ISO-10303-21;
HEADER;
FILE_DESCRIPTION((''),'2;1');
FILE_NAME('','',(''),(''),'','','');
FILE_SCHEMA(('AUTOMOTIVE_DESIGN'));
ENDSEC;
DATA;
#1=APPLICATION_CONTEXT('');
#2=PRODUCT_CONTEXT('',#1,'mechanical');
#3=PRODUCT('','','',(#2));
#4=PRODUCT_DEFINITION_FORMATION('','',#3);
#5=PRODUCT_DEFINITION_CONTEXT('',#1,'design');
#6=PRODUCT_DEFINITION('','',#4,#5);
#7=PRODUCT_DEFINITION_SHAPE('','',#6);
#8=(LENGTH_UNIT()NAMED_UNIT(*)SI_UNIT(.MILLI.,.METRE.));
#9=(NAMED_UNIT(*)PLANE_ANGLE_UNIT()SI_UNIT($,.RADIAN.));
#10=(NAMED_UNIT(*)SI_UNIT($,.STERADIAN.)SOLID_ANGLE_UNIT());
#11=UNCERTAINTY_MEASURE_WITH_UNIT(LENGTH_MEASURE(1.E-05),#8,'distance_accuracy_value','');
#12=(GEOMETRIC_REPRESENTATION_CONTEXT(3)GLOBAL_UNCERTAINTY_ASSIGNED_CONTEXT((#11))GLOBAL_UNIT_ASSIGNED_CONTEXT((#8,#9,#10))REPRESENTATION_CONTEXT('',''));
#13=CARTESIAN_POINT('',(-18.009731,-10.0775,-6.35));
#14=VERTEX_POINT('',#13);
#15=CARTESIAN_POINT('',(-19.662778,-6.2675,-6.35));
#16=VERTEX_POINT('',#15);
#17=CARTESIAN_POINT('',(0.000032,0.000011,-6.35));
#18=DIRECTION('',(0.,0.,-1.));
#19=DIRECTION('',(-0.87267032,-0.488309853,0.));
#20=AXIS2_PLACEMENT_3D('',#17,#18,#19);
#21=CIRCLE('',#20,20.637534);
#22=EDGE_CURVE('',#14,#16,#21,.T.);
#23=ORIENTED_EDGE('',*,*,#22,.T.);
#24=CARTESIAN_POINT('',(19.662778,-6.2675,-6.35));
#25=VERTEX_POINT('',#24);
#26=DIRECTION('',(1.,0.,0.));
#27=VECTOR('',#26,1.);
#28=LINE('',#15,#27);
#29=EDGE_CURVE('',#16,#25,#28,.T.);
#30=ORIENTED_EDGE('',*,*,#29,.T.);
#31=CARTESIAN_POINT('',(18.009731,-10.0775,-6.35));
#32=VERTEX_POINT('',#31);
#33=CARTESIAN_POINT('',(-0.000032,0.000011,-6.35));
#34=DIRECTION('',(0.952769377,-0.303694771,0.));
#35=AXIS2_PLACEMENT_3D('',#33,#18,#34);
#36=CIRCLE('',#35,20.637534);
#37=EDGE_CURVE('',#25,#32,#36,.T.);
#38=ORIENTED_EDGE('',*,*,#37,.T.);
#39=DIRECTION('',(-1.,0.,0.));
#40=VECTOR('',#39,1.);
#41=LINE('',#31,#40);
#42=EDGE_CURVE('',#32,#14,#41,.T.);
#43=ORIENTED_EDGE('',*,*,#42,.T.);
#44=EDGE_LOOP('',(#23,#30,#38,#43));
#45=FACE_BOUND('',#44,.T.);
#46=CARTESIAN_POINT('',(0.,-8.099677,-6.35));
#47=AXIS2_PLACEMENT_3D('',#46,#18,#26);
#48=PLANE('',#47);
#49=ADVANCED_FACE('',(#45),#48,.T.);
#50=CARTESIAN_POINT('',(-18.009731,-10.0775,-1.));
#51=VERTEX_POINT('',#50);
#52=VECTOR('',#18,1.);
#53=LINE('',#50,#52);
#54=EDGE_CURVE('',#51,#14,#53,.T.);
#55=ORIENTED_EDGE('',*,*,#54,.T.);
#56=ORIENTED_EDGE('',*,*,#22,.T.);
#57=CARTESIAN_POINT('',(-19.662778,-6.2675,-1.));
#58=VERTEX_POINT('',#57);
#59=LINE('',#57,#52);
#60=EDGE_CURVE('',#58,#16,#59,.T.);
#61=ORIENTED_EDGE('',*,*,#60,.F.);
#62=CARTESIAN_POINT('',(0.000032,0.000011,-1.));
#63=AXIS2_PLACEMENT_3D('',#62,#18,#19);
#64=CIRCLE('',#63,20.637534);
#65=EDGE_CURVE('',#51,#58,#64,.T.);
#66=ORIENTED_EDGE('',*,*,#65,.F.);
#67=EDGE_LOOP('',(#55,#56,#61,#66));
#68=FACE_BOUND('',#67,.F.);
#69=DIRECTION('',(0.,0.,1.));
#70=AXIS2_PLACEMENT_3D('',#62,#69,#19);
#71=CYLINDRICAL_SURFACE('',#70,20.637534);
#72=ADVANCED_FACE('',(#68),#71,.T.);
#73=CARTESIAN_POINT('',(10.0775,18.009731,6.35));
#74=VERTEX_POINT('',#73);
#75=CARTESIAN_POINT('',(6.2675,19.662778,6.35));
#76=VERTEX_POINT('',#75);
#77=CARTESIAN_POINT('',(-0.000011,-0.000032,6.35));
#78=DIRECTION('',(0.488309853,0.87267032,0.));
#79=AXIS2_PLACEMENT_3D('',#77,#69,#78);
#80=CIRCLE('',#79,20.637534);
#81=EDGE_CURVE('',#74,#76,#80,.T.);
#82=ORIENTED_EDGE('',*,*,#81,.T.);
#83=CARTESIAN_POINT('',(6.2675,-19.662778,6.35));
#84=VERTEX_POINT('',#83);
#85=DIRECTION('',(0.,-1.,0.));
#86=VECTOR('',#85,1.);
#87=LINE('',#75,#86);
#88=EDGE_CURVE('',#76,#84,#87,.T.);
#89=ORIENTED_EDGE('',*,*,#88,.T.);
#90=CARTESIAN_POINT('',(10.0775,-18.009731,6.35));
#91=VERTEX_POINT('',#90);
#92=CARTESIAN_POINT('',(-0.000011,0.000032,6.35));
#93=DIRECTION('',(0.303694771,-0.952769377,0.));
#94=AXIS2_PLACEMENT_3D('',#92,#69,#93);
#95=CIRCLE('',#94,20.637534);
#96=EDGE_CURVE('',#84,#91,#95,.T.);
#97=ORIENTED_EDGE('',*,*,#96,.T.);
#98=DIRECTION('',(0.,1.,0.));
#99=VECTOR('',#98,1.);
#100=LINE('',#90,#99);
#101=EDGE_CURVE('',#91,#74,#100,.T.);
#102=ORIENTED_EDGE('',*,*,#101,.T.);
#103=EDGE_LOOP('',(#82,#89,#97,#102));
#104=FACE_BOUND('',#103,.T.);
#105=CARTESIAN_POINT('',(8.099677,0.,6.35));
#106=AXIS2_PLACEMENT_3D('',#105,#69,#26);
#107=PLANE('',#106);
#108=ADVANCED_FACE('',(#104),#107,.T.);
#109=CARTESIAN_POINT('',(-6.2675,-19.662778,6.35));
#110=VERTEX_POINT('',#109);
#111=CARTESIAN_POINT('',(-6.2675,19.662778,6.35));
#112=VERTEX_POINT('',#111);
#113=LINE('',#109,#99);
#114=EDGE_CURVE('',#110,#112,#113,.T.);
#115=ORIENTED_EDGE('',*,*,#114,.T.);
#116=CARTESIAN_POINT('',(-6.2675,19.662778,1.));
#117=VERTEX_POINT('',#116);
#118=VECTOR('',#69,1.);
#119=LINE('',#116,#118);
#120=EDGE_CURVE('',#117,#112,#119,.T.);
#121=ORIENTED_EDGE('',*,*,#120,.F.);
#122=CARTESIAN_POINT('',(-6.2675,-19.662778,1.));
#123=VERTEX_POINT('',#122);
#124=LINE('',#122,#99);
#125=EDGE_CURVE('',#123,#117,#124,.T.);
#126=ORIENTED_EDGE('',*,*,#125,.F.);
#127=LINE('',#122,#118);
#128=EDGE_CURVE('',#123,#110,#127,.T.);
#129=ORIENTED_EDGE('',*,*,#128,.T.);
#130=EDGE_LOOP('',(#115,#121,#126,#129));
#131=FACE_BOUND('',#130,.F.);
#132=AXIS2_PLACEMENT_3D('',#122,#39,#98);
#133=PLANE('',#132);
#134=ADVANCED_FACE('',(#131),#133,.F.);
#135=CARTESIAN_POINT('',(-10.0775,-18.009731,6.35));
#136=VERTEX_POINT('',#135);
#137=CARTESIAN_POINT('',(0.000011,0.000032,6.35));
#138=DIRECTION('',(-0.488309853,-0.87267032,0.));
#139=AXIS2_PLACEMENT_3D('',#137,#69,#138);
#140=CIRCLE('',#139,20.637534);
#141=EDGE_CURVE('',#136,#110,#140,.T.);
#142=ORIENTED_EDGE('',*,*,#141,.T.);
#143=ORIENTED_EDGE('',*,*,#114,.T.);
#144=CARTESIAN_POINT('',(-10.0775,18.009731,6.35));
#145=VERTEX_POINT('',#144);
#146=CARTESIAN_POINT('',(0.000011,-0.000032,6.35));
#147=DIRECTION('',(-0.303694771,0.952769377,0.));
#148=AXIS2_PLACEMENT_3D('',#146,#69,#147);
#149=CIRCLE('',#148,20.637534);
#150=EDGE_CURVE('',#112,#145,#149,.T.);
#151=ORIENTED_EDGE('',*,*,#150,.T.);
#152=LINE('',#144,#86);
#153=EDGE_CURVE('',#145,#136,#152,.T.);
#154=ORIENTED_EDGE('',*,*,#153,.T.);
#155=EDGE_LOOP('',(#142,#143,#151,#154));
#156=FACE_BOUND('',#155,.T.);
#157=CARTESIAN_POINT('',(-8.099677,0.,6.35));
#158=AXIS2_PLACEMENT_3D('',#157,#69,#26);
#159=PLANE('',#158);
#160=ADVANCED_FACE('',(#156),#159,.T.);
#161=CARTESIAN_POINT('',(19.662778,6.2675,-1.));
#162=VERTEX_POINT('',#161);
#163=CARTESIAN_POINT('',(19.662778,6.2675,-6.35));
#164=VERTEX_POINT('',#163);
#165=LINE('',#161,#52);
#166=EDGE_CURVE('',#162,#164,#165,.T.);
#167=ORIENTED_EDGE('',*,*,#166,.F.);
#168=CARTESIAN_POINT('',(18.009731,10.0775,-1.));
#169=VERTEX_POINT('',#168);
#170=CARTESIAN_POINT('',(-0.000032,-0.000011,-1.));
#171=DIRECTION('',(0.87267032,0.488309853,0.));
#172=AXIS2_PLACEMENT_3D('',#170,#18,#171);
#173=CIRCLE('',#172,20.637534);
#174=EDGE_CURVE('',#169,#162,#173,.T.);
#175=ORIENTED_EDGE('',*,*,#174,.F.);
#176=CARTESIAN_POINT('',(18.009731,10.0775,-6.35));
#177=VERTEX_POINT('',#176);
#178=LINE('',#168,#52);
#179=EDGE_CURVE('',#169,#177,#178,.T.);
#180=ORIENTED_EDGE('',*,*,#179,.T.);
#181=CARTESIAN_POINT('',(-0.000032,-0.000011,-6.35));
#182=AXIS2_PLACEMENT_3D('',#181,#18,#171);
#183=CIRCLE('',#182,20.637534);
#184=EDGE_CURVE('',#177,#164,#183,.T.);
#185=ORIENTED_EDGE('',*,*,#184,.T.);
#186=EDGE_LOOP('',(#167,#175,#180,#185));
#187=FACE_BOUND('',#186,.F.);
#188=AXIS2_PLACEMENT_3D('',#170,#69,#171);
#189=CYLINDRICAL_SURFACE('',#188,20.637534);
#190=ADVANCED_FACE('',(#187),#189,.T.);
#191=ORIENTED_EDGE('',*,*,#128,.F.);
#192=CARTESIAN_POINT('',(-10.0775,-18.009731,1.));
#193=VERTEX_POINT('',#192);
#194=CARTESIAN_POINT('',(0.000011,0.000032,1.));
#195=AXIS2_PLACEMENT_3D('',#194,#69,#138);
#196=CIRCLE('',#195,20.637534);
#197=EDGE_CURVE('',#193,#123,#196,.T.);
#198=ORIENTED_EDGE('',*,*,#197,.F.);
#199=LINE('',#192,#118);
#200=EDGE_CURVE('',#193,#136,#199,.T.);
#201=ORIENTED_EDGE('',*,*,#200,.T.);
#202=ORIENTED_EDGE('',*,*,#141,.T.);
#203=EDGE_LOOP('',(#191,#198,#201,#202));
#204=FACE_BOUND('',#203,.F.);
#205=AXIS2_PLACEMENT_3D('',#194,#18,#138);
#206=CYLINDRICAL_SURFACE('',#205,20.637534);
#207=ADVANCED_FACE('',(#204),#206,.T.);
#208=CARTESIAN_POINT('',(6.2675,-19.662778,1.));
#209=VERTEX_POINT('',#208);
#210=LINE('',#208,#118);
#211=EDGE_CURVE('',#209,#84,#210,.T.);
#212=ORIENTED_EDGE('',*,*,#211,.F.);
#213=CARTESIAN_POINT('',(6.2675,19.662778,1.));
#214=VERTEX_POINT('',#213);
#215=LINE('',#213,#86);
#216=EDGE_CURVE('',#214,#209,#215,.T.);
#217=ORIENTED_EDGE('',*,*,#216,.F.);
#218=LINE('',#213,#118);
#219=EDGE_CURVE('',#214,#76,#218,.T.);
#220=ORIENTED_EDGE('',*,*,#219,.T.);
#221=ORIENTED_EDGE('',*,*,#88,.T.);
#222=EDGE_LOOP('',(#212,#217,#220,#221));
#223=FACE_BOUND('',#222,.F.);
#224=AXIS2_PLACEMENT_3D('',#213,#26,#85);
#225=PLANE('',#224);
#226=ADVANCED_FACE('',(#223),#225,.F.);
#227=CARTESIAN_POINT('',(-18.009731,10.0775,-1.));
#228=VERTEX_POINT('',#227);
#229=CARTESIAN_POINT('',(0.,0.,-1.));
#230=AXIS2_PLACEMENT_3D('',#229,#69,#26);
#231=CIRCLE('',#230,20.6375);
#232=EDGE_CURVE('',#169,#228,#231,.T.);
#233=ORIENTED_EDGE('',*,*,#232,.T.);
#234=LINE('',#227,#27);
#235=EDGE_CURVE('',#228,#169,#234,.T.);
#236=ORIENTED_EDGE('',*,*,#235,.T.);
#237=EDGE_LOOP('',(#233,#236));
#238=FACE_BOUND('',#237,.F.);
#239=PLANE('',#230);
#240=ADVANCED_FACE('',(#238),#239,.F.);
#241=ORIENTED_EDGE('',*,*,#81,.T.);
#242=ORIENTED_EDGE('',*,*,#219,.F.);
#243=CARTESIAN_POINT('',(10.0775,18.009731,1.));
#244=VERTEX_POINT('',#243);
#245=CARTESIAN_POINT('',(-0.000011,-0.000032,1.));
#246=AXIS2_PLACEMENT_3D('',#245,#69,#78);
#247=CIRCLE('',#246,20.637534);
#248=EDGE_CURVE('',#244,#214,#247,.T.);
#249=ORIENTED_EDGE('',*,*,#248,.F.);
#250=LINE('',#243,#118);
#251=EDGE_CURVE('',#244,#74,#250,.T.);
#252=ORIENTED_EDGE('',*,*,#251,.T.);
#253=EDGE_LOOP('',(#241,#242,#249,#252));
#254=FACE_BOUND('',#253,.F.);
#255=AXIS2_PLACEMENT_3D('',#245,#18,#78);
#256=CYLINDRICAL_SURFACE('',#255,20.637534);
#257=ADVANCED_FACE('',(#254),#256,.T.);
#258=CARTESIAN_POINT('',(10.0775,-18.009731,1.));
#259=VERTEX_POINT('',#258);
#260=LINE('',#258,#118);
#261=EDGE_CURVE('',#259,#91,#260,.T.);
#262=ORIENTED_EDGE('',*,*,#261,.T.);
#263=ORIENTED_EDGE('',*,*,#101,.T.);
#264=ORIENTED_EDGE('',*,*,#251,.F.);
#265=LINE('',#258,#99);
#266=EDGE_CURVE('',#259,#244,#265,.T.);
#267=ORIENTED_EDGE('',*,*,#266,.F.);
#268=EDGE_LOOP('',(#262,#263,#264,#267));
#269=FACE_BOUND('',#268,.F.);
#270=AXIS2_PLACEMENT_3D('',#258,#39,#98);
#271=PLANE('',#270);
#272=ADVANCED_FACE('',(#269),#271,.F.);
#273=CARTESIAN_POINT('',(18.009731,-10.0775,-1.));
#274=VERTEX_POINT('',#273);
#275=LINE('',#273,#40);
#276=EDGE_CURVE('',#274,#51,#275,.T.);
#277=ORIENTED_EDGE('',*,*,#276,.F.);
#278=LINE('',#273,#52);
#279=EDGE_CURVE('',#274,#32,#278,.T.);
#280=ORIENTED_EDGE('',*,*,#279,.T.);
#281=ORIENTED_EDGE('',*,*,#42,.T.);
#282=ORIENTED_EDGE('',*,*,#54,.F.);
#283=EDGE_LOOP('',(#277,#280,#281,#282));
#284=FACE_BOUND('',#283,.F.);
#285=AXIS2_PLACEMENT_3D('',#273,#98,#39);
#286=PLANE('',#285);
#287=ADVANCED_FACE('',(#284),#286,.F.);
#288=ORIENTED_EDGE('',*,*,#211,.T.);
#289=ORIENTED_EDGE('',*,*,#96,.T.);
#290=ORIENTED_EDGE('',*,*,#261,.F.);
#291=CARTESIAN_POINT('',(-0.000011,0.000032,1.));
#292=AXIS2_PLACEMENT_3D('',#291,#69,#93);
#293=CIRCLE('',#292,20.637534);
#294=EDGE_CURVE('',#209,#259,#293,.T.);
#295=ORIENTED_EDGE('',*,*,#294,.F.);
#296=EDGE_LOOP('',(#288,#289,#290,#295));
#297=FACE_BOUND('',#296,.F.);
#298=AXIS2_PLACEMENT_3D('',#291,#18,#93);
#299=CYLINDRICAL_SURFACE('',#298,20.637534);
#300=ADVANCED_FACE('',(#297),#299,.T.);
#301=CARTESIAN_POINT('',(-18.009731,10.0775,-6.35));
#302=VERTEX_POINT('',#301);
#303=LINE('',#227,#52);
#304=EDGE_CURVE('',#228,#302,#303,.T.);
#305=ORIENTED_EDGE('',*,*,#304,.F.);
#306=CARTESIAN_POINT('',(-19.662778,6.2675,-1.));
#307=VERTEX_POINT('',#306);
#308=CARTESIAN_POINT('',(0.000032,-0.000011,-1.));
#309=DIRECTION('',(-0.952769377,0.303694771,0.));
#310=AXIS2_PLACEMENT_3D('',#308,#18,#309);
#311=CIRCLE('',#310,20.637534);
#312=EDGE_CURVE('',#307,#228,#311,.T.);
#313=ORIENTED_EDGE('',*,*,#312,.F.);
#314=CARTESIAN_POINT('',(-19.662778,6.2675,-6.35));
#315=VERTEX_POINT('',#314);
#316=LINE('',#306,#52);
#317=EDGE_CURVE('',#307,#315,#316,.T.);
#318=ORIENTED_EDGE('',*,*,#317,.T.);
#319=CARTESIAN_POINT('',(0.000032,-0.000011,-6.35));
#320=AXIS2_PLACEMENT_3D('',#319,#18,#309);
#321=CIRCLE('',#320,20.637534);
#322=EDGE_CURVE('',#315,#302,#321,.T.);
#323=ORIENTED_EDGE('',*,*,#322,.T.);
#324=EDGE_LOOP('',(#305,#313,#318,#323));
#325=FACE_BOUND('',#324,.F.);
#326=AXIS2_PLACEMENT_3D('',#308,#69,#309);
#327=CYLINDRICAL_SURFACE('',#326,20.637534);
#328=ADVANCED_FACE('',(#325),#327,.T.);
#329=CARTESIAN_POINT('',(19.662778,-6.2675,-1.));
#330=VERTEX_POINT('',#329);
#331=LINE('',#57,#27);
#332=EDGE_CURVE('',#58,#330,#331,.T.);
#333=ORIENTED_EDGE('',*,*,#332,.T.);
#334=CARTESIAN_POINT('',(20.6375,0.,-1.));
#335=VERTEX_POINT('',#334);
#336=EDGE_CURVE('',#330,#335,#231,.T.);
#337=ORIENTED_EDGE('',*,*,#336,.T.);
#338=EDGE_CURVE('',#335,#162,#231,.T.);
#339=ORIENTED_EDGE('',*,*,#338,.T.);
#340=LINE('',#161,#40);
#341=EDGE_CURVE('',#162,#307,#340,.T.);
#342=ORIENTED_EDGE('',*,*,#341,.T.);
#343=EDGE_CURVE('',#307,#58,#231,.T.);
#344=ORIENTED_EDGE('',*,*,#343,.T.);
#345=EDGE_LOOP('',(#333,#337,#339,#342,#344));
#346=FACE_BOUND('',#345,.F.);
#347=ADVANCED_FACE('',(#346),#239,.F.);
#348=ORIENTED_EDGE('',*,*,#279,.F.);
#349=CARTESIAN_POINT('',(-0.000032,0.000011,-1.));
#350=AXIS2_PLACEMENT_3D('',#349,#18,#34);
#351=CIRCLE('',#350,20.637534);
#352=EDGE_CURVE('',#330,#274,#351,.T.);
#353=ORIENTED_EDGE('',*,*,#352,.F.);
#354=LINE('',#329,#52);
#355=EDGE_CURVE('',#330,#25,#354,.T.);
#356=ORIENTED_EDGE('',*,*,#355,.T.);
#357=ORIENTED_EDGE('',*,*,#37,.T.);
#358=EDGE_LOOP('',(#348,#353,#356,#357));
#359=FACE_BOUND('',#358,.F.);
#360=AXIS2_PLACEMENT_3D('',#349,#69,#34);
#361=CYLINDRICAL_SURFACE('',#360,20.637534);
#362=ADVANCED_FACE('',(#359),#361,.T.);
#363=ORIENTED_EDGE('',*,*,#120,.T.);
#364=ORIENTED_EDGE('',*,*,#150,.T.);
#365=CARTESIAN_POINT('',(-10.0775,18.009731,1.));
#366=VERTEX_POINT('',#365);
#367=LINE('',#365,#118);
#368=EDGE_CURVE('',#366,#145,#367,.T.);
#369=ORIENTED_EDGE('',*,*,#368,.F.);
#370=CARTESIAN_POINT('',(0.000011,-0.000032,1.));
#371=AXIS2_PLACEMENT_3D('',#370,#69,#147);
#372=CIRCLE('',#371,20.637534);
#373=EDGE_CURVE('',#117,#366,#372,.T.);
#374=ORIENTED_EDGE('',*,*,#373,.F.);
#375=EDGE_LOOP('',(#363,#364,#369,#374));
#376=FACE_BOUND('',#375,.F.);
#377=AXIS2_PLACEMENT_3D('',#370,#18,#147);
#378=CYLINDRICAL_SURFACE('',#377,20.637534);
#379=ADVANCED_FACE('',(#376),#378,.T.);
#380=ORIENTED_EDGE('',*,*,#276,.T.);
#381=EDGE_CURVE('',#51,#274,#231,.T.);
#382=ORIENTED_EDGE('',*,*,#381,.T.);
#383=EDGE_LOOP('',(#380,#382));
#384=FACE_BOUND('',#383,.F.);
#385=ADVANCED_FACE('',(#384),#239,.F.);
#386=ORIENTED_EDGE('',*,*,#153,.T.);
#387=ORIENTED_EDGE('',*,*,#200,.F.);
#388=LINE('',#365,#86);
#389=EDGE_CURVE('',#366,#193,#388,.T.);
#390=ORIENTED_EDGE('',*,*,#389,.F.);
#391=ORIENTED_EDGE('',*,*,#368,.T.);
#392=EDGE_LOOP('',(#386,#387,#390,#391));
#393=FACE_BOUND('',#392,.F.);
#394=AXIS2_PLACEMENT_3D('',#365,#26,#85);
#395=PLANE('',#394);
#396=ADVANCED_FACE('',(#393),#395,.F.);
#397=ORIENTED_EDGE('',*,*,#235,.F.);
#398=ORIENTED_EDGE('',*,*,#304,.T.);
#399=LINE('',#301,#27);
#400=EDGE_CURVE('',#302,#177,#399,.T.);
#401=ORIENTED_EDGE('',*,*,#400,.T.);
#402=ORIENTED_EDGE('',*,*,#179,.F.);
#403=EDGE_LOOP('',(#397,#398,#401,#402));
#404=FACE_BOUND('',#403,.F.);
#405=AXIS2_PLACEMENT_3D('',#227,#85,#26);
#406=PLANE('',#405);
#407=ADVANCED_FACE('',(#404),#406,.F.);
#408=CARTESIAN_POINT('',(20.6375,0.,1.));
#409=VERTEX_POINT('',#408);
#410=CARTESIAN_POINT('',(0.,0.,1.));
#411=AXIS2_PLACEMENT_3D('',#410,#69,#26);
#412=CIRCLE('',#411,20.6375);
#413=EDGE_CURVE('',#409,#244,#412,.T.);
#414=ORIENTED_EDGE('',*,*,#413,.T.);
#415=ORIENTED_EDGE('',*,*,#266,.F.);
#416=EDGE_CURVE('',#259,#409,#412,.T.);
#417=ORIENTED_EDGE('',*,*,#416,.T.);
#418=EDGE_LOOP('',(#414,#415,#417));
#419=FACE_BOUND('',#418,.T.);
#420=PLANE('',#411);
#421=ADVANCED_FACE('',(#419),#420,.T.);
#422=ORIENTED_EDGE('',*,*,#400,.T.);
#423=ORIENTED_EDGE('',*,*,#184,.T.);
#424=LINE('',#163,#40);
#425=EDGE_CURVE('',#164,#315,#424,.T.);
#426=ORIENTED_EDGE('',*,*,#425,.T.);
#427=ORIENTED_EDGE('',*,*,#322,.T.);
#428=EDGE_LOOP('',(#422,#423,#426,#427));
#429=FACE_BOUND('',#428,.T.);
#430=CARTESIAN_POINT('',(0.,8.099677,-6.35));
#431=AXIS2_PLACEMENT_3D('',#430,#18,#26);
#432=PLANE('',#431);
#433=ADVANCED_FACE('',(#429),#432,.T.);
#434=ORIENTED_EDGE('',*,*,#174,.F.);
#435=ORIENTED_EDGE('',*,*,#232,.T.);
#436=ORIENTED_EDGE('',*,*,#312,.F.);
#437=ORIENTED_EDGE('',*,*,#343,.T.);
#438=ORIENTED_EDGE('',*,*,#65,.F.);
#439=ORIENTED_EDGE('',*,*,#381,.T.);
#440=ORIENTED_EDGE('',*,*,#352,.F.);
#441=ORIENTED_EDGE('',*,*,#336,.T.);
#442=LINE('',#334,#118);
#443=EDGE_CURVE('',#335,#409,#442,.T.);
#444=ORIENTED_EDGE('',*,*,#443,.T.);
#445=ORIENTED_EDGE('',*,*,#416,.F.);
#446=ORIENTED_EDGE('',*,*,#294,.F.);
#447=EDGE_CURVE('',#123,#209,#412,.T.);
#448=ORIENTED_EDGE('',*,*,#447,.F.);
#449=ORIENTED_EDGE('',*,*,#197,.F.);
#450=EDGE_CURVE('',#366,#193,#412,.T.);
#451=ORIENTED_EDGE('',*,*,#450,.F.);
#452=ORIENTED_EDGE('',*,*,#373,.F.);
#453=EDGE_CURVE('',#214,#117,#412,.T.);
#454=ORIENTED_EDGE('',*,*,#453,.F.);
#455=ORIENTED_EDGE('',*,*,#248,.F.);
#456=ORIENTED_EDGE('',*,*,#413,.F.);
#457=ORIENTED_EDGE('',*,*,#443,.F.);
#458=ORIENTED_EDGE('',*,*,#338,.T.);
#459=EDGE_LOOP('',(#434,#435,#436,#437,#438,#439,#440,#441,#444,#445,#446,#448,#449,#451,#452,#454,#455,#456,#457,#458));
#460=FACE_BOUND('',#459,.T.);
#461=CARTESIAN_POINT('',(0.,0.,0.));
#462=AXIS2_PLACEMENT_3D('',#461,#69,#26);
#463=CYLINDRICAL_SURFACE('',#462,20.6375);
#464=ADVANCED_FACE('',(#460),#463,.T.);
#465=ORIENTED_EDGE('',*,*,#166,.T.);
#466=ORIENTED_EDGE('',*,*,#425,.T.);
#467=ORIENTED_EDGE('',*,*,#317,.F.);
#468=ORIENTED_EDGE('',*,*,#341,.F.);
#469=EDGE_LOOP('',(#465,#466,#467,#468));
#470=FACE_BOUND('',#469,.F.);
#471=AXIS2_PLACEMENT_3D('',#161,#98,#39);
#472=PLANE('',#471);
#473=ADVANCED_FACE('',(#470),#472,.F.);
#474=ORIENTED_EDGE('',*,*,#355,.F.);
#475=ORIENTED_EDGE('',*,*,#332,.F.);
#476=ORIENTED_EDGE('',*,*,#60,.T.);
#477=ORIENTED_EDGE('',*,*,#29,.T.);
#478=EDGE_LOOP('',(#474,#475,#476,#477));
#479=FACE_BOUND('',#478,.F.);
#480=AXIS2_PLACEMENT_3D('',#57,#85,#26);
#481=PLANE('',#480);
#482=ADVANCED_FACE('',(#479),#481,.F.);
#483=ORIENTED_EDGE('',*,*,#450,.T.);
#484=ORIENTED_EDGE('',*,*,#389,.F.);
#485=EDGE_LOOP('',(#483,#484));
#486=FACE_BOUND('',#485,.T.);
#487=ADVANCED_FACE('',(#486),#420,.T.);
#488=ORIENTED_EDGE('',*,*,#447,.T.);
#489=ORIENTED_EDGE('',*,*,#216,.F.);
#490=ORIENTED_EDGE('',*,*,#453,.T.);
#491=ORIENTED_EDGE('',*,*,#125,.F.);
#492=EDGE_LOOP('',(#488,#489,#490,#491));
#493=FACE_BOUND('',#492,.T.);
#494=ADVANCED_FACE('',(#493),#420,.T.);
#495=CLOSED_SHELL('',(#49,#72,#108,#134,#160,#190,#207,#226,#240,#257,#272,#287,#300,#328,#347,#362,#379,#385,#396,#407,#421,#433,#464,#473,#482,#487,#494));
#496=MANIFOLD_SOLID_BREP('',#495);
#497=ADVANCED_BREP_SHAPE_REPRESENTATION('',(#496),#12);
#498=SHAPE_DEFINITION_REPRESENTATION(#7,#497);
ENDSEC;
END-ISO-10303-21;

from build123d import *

# Parameters (mm, degrees)
F0_R          = 20.6375
F1_DEPTH      = 1
F1_DEPTH_BACK = 1
F3_DEPTH      = 5.35
F5_DEPTH      = 5.35


with BuildPart() as f1:
    # F0 (on Top) → F1 (new body, two sides)
    with BuildSketch(Plane.XY) as f1_sk:
        Circle(F0_R)
    extrude(amount=F1_DEPTH)
    extrude(f1_sk.sketch, amount=-F1_DEPTH_BACK)

    # F2 (on face) → F3 (join)
    with BuildSketch(Plane.XY.offset(1)):
        with BuildLine():
            Line((-10.0775, 18.009731), (-10.0775, -18.009731))
            ThreePointArc((-10.0775, -18.009731), (-8.214189, -18.93234), (-6.2675, -19.662778))
            Line((-6.2675, -19.662778), (-6.2675, 19.662778))
            ThreePointArc((-6.2675, 19.662778), (-8.214189, 18.93234), (-10.0775, 18.009731))
        make_face()
        with BuildLine():
            Line((6.2675, 19.662778), (6.2675, -19.662778))
            ThreePointArc((6.2675, -19.662778), (8.214189, -18.93234), (10.0775, -18.009731))
            Line((10.0775, -18.009731), (10.0775, 18.009731))
            ThreePointArc((10.0775, 18.009731), (8.214189, 18.93234), (6.2675, 19.662778))
        make_face()
    extrude(amount=F3_DEPTH)

    # F4 (on face) → F5 (join)
    with BuildSketch(Plane(origin=(0, 0, -1), x_dir=(1, 0, 0), z_dir=(0, 0, -1))):
        with BuildLine():
            Line((18.009731, 10.0775), (-18.009731, 10.0775))
            ThreePointArc((-18.009731, 10.0775), (-18.93234, 8.214189), (-19.662778, 6.2675))
            Line((-19.662778, 6.2675), (19.662778, 6.2675))
            ThreePointArc((19.662778, 6.2675), (18.93234, 8.214189), (18.009731, 10.0775))
        make_face()
        with BuildLine():
            Line((19.662778, -6.2675), (-19.662778, -6.2675))
            ThreePointArc((-19.662778, -6.2675), (-18.93234, -8.214189), (-18.009731, -10.0775))
            Line((-18.009731, -10.0775), (18.009731, -10.0775))
            ThreePointArc((18.009731, -10.0775), (18.93234, -8.214189), (19.662778, -6.2675))
        make_face()
    extrude(amount=F5_DEPTH)


solid = f1.part
